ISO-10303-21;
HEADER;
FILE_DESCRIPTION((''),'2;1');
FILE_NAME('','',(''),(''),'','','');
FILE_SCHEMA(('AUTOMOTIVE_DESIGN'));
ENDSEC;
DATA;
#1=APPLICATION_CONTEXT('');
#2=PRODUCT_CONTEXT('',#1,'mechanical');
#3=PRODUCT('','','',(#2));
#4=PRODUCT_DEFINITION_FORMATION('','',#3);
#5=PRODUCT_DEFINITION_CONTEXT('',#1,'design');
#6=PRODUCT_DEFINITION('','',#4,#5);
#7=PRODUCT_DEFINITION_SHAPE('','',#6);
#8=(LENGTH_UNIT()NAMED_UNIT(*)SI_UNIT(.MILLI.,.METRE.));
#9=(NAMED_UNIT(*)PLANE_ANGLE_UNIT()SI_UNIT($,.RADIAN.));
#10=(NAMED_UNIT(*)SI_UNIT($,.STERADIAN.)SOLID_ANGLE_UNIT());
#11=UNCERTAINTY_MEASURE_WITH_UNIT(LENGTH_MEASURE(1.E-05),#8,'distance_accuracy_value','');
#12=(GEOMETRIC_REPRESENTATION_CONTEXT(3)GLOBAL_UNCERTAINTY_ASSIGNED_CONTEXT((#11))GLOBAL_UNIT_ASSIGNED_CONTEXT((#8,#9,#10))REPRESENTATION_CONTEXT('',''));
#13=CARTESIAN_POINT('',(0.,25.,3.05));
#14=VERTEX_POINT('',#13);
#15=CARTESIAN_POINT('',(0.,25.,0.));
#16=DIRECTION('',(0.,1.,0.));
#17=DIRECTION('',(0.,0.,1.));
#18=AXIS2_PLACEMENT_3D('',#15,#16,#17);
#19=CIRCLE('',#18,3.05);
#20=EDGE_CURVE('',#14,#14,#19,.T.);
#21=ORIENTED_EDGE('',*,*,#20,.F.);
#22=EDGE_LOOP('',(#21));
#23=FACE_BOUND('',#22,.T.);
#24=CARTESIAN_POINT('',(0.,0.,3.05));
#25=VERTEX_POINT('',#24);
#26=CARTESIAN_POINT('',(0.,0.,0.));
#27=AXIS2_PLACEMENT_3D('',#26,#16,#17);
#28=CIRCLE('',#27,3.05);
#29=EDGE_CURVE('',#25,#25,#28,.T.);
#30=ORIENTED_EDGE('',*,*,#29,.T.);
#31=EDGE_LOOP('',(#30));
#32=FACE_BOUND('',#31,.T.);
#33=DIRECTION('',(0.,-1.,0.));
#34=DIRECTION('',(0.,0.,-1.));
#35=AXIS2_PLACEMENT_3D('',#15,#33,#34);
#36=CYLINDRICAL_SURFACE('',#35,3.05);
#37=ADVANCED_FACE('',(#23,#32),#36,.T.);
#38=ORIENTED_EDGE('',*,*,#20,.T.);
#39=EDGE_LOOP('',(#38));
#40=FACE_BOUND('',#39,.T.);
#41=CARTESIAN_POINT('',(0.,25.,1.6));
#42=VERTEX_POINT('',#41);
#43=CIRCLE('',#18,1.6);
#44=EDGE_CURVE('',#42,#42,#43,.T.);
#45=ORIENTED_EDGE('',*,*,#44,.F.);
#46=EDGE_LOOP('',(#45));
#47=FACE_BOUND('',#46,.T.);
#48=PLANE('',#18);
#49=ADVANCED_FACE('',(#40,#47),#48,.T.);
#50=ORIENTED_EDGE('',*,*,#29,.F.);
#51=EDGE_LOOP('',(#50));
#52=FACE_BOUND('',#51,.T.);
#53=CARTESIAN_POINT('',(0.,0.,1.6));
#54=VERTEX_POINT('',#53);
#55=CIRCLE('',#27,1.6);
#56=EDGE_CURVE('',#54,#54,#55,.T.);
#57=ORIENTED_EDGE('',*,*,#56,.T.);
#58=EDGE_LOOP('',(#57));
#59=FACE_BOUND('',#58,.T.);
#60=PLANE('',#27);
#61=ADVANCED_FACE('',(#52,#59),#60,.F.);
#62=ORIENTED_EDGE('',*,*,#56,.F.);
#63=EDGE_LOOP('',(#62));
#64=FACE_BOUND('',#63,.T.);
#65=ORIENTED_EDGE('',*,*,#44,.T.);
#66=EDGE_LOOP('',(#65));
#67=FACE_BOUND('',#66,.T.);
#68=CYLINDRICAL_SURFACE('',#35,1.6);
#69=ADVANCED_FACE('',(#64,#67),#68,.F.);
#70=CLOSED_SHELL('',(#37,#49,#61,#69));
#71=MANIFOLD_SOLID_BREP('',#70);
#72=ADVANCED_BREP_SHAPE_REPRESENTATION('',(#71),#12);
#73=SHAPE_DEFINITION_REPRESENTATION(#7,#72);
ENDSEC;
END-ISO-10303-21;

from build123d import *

# Parameters (mm, degrees)
SKETCH_1_R      = 3.05
SKETCH_1_R_2    = 1.6
EXTRUDE_1_DEPTH = 25


with BuildPart() as part:
    # ｽｹｯﾁ1 → ﾎﾞｽ - 押し出し1 (new body)
    with BuildSketch(Plane(origin=(0, 0, 0), x_dir=(1, 0, 0), z_dir=(0, 1, 0))):
        with Locations(Location((0, 0, 0), (0, 0, 270))):
            Circle(SKETCH_1_R)
        with Locations(Location((0, 0, 0), (0, 0, 270))):
            Circle(SKETCH_1_R_2, mode=Mode.SUBTRACT)
    extrude(amount=EXTRUDE_1_DEPTH)


solid = part.part
